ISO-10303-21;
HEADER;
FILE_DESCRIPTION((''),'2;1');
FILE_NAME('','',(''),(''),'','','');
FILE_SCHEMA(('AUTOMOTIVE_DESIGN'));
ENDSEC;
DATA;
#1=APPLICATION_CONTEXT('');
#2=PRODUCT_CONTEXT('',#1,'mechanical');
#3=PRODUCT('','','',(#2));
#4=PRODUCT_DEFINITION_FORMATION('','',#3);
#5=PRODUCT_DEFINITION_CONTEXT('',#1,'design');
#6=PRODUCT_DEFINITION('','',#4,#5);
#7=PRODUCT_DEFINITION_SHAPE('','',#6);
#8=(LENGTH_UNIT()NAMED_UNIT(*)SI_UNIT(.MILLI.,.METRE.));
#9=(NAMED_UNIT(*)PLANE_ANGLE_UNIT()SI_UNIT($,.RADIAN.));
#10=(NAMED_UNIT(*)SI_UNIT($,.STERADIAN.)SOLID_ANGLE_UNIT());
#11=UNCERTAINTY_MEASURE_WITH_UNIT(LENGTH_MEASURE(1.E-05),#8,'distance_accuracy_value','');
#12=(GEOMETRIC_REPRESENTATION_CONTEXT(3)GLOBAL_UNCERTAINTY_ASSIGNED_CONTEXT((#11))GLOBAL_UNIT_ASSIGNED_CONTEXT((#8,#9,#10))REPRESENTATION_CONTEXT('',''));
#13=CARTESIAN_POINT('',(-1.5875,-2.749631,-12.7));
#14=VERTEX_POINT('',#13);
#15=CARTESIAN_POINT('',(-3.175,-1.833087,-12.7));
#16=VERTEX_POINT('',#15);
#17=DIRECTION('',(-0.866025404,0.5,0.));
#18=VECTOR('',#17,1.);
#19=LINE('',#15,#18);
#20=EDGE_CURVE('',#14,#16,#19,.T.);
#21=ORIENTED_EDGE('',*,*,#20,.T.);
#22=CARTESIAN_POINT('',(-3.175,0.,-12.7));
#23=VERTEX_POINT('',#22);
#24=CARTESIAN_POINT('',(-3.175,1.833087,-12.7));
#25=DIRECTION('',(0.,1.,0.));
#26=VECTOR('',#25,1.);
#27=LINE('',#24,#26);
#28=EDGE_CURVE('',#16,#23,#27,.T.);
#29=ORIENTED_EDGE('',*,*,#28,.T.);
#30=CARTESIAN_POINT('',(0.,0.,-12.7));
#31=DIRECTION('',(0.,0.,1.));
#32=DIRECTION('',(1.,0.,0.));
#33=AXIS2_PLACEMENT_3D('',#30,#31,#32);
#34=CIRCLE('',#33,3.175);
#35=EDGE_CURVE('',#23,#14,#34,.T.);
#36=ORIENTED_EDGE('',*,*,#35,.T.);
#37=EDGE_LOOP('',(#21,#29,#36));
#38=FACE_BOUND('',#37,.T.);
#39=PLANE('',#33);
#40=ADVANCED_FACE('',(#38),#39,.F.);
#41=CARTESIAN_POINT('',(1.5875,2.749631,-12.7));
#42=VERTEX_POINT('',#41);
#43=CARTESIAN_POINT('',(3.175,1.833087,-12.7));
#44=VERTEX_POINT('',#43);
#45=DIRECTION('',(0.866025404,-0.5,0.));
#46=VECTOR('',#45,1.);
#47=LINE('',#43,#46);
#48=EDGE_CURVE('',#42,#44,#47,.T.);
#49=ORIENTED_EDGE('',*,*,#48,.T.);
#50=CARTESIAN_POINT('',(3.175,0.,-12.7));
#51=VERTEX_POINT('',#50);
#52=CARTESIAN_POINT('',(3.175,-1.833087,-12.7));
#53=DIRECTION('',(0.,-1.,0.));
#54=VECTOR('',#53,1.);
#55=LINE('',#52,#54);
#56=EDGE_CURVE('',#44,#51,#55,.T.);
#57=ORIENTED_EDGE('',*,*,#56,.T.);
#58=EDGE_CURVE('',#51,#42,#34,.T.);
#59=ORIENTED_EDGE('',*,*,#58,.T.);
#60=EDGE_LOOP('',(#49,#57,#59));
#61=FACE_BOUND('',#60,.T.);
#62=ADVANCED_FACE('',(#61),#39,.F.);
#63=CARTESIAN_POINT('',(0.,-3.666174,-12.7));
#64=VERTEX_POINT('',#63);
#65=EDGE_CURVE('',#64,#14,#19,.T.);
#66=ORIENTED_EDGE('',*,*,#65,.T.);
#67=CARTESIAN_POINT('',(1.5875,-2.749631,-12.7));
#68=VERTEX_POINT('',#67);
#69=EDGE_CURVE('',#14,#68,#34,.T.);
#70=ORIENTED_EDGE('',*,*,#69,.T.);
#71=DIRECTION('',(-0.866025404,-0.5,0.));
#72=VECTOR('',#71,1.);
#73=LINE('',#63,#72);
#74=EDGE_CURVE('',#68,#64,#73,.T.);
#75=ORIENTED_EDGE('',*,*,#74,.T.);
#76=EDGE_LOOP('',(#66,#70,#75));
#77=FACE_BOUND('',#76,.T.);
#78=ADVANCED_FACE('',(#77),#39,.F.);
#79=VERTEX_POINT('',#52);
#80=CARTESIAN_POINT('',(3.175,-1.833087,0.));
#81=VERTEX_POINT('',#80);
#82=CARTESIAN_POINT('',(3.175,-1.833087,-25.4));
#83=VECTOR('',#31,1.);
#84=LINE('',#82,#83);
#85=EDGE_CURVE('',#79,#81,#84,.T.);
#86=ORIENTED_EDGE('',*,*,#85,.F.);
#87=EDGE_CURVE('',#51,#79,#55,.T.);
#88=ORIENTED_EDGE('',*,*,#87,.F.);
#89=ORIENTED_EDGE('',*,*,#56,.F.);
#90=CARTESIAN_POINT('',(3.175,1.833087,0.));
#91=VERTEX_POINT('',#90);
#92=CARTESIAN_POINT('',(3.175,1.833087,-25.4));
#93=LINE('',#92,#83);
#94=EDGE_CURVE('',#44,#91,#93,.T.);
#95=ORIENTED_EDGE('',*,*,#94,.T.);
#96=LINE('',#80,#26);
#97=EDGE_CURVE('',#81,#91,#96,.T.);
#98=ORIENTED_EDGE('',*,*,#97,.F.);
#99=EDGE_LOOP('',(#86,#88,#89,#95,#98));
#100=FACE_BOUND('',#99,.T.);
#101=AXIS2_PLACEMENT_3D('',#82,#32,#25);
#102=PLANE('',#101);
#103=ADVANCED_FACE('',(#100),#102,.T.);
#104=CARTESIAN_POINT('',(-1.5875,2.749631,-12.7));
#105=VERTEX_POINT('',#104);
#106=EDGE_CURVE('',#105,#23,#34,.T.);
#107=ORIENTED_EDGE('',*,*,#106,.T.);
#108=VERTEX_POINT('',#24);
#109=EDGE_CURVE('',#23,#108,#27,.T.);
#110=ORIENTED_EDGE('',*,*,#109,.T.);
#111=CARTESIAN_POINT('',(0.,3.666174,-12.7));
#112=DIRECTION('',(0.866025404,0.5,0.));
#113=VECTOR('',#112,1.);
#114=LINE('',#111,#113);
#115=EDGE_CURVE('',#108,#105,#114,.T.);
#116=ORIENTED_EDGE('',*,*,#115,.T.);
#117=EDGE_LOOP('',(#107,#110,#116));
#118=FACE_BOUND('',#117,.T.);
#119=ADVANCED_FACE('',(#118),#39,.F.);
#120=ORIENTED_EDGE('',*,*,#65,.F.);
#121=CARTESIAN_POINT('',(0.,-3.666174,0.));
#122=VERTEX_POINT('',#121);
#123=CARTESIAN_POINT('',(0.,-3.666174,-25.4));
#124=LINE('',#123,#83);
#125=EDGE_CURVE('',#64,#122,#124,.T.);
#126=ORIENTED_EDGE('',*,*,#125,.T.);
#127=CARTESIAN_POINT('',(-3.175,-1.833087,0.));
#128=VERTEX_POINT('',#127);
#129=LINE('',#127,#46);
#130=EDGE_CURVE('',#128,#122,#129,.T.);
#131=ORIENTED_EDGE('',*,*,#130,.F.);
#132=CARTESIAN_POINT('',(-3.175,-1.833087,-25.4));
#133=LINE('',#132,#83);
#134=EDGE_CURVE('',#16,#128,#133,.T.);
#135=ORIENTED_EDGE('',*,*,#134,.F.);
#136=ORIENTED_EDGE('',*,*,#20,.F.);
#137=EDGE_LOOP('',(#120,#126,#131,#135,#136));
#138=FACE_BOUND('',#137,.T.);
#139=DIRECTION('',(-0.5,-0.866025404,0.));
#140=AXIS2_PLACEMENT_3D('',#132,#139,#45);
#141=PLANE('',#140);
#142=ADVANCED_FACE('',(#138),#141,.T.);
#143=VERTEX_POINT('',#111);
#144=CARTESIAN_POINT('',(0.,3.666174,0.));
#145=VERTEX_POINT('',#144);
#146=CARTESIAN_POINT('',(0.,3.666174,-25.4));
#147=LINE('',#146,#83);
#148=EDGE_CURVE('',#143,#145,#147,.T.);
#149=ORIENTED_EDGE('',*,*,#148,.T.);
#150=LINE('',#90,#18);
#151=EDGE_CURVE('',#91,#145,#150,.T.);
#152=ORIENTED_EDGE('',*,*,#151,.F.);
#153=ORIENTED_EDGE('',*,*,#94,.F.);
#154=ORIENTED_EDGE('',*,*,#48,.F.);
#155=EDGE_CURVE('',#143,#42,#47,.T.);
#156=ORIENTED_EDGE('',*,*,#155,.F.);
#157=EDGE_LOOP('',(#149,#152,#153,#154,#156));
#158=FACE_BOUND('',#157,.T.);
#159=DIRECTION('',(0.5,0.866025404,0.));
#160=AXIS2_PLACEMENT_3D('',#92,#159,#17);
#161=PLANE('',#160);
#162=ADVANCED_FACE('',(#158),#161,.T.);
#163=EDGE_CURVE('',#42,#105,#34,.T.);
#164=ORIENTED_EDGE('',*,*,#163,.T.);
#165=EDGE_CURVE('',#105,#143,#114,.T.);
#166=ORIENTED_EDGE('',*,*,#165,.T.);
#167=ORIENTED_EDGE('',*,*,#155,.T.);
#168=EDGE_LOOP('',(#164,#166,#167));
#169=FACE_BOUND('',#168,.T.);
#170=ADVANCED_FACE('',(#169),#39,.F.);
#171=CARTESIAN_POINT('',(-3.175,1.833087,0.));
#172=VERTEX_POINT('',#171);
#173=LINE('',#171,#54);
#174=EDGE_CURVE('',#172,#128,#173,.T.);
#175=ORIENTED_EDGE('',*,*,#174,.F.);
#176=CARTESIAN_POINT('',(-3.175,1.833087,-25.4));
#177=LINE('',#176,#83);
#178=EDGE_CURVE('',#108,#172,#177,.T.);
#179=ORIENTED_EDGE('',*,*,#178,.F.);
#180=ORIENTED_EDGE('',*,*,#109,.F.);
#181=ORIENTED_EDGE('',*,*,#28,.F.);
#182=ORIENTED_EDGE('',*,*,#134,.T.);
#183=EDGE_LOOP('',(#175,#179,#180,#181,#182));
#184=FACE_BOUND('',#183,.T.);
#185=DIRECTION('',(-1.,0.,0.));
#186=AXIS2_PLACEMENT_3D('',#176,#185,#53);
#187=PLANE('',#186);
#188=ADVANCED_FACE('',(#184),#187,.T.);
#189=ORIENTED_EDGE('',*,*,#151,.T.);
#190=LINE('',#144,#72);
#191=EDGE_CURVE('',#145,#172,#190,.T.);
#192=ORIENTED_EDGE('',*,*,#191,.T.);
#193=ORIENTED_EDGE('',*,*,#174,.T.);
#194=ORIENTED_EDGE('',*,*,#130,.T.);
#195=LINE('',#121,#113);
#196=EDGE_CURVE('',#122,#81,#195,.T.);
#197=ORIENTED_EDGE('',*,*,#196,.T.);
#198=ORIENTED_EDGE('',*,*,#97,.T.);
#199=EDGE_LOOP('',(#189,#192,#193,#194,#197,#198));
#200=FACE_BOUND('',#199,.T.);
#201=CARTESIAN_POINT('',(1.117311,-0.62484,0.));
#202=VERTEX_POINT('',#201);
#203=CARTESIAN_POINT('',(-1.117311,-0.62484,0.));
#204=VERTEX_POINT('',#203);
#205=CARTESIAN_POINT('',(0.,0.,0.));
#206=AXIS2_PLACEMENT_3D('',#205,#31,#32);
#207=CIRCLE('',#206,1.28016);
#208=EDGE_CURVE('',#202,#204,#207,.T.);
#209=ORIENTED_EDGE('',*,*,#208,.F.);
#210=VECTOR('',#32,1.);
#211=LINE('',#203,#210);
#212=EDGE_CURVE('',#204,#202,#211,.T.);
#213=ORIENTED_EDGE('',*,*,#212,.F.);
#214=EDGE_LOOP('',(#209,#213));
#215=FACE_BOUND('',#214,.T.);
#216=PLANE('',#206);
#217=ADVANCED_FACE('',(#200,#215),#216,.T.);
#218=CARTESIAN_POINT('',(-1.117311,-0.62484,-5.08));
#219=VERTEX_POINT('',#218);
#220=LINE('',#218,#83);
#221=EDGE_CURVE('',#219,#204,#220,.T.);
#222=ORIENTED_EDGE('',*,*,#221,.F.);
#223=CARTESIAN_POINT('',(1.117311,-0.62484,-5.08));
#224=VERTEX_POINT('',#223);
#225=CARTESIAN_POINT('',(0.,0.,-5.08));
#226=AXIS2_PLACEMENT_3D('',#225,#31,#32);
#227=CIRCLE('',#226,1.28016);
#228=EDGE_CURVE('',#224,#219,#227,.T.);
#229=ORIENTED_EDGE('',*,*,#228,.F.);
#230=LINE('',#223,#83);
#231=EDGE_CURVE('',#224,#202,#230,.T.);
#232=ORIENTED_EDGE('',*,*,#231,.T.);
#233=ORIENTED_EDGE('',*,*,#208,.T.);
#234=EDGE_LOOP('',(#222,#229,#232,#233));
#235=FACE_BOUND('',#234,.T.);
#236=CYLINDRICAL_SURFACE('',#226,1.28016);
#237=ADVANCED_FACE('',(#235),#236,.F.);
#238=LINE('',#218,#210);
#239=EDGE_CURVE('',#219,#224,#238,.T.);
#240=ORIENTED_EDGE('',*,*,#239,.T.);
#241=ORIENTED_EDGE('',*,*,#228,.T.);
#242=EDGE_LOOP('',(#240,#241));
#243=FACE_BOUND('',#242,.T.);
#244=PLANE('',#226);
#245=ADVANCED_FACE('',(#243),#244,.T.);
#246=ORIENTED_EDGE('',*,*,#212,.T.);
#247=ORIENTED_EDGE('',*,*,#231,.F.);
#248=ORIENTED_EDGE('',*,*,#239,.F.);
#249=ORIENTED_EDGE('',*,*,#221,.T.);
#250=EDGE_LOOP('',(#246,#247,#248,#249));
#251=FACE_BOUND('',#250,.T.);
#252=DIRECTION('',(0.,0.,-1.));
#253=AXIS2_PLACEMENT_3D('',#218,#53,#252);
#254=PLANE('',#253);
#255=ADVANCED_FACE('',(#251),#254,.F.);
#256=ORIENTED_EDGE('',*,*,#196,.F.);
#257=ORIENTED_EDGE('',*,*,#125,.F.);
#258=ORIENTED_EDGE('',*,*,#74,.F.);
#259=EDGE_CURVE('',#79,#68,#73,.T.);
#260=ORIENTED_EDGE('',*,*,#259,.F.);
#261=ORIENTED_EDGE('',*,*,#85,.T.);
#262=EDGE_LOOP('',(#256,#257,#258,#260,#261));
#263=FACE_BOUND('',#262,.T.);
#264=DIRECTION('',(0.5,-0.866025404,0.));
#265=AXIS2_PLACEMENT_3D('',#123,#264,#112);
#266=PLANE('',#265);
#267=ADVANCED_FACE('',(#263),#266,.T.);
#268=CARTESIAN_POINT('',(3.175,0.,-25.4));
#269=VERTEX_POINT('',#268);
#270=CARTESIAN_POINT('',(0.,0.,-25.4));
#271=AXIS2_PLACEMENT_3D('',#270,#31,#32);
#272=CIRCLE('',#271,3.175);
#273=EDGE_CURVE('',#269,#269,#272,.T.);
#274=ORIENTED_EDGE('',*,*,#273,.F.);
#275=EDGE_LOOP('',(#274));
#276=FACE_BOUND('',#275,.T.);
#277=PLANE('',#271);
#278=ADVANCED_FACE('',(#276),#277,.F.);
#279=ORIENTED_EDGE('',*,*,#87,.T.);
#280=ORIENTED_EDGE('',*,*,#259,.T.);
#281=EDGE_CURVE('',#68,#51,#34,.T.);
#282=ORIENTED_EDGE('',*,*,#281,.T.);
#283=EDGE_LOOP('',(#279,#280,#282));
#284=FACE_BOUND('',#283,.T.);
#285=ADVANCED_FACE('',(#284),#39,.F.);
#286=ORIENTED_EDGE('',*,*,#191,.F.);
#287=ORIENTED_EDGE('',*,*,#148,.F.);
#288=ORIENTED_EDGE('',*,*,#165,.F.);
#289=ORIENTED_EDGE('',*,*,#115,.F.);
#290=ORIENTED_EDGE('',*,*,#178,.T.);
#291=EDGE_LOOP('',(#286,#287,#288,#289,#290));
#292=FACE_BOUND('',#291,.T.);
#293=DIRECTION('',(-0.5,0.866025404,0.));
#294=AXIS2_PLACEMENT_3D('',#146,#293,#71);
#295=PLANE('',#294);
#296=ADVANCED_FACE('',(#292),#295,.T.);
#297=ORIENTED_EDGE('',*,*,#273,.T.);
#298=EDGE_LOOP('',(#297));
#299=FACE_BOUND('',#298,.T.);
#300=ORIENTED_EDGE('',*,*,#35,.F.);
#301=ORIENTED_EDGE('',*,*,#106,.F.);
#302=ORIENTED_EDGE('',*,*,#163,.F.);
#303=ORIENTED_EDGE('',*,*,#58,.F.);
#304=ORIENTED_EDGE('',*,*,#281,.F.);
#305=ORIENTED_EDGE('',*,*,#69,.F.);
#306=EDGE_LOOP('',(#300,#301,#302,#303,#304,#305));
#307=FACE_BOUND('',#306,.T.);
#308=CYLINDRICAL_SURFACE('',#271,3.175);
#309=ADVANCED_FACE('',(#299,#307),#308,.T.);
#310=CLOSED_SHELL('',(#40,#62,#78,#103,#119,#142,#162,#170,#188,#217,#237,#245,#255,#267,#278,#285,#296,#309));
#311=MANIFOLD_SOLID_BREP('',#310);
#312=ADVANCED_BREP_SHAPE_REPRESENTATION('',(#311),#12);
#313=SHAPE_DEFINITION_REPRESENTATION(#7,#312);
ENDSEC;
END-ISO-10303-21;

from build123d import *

# Parameters (mm, degrees)
BOSS_EXTRUDE1_DEPTH = 25.4
CUT_EXTRUDE1_DEPTH  = 5.08
SKETCH3_OUTSIDE_W   = 13.788
SKETCH3_OUTSIDE_H   = 14.77
SKETCH3_OUTSIDE_R   = 3.175
CUT_EXTRUDE2_DEPTH  = 13.7


with BuildPart() as part:
    # Sketch1 → Boss-Extrude1 (new body)
    with BuildSketch(Plane.XY):
        Polygon((0, 3.666174209), (-3.175, 1.833087105), (-3.175, -1.833087105), (0, -3.666174209), (3.175, -1.833087105), (3.175, 1.833087105), align=None)
    extrude(amount=-BOSS_EXTRUDE1_DEPTH)

    # Sketch2 → Cut-Extrude1 (cut)
    with BuildSketch(Plane.XY):
        with BuildLine():
            Line((-1.117311326, -0.62484), (1.117311326, -0.62484))
            ThreePointArc((1.117311326, -0.62484), (0, 1.28016), (-1.117311326, -0.62484))
        make_face()
    extrude(amount=-CUT_EXTRUDE1_DEPTH, mode=Mode.SUBTRACT)

    # Sketch3 outside → Cut-Extrude2 (cut, through all)
    with BuildSketch(Plane.XY.offset(-12.7)):
        Rectangle(SKETCH3_OUTSIDE_W, SKETCH3_OUTSIDE_H)
        Circle(SKETCH3_OUTSIDE_R, mode=Mode.SUBTRACT)
    extrude(amount=-CUT_EXTRUDE2_DEPTH, mode=Mode.SUBTRACT)


solid = part.part
